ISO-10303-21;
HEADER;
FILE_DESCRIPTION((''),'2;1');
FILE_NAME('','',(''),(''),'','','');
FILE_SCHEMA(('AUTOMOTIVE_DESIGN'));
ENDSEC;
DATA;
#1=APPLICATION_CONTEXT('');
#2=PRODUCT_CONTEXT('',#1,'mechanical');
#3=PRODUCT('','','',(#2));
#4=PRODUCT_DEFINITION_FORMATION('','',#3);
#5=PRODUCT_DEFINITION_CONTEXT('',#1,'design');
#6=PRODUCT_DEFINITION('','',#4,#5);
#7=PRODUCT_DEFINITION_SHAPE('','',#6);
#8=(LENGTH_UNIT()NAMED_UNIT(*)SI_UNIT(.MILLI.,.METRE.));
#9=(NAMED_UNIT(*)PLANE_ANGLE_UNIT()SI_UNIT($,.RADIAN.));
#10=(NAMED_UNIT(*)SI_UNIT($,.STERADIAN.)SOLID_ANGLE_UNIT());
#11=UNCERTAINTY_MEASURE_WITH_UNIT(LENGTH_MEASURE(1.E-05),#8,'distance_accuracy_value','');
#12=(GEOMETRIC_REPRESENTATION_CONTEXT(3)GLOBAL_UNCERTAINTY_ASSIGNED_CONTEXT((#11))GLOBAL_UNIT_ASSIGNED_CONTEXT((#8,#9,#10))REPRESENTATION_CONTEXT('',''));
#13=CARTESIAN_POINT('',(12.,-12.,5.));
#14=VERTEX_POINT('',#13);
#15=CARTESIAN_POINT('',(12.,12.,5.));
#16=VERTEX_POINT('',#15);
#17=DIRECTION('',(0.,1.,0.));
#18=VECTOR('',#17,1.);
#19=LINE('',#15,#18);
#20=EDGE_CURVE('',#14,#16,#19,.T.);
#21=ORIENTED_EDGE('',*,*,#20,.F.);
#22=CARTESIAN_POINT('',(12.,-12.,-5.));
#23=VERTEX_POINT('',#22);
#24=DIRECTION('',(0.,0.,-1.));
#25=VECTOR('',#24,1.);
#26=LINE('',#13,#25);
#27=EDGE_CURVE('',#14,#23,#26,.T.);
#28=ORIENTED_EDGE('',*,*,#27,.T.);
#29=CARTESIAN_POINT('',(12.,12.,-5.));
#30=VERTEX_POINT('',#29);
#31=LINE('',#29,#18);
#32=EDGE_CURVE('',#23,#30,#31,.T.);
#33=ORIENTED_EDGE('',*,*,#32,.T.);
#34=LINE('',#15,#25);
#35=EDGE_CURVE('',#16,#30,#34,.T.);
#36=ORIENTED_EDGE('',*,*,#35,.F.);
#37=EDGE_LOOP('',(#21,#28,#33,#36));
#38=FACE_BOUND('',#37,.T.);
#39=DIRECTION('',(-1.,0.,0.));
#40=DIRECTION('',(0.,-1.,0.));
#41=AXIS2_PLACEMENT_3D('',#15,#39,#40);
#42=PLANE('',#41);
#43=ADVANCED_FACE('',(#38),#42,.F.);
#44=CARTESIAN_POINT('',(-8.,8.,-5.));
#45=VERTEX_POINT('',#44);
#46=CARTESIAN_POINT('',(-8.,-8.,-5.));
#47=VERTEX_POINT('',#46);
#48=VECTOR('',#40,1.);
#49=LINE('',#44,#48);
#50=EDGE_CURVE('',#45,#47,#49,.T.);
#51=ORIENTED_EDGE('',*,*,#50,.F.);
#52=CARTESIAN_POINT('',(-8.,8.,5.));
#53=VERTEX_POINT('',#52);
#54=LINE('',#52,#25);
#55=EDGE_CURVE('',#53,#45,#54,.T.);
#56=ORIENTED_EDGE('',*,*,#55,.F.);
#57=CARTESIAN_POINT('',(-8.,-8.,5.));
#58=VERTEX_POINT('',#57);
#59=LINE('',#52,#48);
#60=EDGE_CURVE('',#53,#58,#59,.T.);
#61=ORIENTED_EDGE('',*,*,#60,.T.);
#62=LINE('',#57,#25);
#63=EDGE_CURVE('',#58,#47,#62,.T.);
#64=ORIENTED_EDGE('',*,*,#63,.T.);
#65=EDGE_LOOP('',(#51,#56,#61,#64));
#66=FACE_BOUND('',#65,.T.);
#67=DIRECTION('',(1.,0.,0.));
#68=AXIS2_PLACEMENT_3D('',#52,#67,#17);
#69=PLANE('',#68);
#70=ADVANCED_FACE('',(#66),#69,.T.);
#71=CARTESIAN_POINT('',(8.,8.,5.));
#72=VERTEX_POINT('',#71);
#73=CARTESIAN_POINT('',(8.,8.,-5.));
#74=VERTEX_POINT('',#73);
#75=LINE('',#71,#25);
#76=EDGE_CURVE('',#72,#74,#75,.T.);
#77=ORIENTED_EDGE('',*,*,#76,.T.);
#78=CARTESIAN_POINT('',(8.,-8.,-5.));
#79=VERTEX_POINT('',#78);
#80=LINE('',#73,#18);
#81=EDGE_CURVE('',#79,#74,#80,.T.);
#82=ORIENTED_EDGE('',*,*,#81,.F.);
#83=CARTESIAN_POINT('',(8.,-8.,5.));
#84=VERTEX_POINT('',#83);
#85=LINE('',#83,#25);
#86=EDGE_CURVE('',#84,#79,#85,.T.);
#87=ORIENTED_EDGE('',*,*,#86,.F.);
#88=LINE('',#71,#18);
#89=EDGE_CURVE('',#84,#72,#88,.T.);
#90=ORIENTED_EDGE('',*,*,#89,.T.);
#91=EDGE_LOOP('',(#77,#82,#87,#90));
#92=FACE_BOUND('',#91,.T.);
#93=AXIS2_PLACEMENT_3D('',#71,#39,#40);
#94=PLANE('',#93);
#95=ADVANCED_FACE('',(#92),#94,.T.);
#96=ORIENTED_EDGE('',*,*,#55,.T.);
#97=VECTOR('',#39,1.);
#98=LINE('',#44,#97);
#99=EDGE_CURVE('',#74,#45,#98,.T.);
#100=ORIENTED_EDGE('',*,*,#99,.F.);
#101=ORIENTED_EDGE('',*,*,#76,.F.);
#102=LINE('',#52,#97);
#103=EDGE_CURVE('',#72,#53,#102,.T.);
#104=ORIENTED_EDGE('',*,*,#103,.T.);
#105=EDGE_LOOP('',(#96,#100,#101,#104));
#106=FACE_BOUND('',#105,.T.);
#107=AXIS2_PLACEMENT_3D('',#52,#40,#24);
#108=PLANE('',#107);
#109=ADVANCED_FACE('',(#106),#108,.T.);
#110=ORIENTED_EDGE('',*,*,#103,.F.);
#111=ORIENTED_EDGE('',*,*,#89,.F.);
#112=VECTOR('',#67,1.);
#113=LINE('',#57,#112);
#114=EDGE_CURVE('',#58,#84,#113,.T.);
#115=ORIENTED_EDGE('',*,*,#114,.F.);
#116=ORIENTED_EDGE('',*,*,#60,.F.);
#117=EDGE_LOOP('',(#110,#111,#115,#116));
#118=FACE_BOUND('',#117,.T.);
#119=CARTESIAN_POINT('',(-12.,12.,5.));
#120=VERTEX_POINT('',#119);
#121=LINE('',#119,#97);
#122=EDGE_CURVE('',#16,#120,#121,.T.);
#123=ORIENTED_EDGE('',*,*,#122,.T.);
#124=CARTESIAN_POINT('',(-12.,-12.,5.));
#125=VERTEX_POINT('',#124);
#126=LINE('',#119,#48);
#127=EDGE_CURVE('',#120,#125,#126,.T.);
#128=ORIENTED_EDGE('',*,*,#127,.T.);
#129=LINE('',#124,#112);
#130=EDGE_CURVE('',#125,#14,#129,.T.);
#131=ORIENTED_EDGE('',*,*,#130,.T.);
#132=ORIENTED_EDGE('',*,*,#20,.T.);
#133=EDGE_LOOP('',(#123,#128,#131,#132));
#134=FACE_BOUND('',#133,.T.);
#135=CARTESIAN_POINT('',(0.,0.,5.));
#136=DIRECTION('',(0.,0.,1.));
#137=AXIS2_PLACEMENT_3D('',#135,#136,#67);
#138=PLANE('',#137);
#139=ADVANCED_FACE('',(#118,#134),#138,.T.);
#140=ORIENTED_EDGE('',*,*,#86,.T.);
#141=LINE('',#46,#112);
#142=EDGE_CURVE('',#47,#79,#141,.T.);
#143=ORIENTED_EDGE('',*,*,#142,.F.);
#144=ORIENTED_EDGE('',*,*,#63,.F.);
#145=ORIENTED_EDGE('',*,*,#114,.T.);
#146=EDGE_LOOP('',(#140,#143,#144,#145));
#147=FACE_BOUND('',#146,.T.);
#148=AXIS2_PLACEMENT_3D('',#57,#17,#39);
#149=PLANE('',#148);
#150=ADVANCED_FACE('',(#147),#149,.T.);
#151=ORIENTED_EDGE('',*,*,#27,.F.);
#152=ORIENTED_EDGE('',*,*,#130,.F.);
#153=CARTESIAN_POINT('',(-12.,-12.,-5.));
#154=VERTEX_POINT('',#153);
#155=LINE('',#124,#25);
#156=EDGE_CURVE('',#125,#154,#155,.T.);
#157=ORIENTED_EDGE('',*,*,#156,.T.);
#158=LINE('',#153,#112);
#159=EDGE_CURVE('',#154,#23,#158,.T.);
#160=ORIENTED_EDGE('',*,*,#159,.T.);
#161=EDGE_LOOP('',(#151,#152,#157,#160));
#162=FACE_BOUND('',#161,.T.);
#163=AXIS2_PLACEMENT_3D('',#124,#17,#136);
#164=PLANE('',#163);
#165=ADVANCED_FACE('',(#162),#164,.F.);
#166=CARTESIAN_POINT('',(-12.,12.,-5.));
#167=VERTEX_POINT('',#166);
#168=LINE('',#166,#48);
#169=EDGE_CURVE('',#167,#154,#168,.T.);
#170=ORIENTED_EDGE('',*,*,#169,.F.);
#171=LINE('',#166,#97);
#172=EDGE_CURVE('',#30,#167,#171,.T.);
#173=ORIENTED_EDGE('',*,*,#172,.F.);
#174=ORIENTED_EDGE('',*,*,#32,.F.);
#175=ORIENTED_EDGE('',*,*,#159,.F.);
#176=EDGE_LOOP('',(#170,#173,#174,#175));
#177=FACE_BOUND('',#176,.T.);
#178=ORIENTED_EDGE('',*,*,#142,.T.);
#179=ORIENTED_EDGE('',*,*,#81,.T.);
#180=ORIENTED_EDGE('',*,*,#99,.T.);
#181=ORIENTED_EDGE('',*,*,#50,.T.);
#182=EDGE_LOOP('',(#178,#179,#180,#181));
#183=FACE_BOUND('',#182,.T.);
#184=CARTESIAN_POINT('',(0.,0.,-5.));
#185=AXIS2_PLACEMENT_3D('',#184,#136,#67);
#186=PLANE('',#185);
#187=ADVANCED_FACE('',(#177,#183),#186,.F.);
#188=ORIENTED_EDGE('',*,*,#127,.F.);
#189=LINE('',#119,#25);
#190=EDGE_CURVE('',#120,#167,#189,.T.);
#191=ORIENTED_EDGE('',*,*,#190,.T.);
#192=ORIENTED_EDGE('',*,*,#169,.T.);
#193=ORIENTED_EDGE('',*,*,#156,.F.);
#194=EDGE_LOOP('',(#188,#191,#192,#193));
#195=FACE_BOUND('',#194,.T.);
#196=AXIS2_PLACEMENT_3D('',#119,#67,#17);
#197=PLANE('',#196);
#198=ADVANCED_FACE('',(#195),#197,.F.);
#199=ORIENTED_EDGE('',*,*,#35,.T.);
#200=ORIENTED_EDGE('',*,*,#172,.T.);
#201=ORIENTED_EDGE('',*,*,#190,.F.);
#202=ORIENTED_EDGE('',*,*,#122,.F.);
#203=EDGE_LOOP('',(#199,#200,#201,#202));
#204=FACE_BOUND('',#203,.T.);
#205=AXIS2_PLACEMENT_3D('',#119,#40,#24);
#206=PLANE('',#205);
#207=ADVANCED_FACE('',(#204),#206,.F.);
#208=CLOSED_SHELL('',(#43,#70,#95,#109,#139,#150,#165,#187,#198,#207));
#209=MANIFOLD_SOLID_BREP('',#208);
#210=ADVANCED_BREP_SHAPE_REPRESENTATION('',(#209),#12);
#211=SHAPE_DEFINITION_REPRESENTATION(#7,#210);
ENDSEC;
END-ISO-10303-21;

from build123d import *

# Parameters (mm, degrees)
SKETCH1_W           = 24
SKETCH1_H           = 24
SKETCH1_W_2         = 16
SKETCH1_H_2         = 16
BOSS_EXTRUDE1_DEPTH = 5


with BuildPart() as part:
    # Sketch1 → Boss-Extrude1 (new, symmetric)
    with BuildSketch(Plane.XY):
        Rectangle(SKETCH1_W, SKETCH1_H)
        Rectangle(SKETCH1_W_2, SKETCH1_H_2, mode=Mode.SUBTRACT)
    extrude(amount=BOSS_EXTRUDE1_DEPTH, both=True)


solid = part.part
